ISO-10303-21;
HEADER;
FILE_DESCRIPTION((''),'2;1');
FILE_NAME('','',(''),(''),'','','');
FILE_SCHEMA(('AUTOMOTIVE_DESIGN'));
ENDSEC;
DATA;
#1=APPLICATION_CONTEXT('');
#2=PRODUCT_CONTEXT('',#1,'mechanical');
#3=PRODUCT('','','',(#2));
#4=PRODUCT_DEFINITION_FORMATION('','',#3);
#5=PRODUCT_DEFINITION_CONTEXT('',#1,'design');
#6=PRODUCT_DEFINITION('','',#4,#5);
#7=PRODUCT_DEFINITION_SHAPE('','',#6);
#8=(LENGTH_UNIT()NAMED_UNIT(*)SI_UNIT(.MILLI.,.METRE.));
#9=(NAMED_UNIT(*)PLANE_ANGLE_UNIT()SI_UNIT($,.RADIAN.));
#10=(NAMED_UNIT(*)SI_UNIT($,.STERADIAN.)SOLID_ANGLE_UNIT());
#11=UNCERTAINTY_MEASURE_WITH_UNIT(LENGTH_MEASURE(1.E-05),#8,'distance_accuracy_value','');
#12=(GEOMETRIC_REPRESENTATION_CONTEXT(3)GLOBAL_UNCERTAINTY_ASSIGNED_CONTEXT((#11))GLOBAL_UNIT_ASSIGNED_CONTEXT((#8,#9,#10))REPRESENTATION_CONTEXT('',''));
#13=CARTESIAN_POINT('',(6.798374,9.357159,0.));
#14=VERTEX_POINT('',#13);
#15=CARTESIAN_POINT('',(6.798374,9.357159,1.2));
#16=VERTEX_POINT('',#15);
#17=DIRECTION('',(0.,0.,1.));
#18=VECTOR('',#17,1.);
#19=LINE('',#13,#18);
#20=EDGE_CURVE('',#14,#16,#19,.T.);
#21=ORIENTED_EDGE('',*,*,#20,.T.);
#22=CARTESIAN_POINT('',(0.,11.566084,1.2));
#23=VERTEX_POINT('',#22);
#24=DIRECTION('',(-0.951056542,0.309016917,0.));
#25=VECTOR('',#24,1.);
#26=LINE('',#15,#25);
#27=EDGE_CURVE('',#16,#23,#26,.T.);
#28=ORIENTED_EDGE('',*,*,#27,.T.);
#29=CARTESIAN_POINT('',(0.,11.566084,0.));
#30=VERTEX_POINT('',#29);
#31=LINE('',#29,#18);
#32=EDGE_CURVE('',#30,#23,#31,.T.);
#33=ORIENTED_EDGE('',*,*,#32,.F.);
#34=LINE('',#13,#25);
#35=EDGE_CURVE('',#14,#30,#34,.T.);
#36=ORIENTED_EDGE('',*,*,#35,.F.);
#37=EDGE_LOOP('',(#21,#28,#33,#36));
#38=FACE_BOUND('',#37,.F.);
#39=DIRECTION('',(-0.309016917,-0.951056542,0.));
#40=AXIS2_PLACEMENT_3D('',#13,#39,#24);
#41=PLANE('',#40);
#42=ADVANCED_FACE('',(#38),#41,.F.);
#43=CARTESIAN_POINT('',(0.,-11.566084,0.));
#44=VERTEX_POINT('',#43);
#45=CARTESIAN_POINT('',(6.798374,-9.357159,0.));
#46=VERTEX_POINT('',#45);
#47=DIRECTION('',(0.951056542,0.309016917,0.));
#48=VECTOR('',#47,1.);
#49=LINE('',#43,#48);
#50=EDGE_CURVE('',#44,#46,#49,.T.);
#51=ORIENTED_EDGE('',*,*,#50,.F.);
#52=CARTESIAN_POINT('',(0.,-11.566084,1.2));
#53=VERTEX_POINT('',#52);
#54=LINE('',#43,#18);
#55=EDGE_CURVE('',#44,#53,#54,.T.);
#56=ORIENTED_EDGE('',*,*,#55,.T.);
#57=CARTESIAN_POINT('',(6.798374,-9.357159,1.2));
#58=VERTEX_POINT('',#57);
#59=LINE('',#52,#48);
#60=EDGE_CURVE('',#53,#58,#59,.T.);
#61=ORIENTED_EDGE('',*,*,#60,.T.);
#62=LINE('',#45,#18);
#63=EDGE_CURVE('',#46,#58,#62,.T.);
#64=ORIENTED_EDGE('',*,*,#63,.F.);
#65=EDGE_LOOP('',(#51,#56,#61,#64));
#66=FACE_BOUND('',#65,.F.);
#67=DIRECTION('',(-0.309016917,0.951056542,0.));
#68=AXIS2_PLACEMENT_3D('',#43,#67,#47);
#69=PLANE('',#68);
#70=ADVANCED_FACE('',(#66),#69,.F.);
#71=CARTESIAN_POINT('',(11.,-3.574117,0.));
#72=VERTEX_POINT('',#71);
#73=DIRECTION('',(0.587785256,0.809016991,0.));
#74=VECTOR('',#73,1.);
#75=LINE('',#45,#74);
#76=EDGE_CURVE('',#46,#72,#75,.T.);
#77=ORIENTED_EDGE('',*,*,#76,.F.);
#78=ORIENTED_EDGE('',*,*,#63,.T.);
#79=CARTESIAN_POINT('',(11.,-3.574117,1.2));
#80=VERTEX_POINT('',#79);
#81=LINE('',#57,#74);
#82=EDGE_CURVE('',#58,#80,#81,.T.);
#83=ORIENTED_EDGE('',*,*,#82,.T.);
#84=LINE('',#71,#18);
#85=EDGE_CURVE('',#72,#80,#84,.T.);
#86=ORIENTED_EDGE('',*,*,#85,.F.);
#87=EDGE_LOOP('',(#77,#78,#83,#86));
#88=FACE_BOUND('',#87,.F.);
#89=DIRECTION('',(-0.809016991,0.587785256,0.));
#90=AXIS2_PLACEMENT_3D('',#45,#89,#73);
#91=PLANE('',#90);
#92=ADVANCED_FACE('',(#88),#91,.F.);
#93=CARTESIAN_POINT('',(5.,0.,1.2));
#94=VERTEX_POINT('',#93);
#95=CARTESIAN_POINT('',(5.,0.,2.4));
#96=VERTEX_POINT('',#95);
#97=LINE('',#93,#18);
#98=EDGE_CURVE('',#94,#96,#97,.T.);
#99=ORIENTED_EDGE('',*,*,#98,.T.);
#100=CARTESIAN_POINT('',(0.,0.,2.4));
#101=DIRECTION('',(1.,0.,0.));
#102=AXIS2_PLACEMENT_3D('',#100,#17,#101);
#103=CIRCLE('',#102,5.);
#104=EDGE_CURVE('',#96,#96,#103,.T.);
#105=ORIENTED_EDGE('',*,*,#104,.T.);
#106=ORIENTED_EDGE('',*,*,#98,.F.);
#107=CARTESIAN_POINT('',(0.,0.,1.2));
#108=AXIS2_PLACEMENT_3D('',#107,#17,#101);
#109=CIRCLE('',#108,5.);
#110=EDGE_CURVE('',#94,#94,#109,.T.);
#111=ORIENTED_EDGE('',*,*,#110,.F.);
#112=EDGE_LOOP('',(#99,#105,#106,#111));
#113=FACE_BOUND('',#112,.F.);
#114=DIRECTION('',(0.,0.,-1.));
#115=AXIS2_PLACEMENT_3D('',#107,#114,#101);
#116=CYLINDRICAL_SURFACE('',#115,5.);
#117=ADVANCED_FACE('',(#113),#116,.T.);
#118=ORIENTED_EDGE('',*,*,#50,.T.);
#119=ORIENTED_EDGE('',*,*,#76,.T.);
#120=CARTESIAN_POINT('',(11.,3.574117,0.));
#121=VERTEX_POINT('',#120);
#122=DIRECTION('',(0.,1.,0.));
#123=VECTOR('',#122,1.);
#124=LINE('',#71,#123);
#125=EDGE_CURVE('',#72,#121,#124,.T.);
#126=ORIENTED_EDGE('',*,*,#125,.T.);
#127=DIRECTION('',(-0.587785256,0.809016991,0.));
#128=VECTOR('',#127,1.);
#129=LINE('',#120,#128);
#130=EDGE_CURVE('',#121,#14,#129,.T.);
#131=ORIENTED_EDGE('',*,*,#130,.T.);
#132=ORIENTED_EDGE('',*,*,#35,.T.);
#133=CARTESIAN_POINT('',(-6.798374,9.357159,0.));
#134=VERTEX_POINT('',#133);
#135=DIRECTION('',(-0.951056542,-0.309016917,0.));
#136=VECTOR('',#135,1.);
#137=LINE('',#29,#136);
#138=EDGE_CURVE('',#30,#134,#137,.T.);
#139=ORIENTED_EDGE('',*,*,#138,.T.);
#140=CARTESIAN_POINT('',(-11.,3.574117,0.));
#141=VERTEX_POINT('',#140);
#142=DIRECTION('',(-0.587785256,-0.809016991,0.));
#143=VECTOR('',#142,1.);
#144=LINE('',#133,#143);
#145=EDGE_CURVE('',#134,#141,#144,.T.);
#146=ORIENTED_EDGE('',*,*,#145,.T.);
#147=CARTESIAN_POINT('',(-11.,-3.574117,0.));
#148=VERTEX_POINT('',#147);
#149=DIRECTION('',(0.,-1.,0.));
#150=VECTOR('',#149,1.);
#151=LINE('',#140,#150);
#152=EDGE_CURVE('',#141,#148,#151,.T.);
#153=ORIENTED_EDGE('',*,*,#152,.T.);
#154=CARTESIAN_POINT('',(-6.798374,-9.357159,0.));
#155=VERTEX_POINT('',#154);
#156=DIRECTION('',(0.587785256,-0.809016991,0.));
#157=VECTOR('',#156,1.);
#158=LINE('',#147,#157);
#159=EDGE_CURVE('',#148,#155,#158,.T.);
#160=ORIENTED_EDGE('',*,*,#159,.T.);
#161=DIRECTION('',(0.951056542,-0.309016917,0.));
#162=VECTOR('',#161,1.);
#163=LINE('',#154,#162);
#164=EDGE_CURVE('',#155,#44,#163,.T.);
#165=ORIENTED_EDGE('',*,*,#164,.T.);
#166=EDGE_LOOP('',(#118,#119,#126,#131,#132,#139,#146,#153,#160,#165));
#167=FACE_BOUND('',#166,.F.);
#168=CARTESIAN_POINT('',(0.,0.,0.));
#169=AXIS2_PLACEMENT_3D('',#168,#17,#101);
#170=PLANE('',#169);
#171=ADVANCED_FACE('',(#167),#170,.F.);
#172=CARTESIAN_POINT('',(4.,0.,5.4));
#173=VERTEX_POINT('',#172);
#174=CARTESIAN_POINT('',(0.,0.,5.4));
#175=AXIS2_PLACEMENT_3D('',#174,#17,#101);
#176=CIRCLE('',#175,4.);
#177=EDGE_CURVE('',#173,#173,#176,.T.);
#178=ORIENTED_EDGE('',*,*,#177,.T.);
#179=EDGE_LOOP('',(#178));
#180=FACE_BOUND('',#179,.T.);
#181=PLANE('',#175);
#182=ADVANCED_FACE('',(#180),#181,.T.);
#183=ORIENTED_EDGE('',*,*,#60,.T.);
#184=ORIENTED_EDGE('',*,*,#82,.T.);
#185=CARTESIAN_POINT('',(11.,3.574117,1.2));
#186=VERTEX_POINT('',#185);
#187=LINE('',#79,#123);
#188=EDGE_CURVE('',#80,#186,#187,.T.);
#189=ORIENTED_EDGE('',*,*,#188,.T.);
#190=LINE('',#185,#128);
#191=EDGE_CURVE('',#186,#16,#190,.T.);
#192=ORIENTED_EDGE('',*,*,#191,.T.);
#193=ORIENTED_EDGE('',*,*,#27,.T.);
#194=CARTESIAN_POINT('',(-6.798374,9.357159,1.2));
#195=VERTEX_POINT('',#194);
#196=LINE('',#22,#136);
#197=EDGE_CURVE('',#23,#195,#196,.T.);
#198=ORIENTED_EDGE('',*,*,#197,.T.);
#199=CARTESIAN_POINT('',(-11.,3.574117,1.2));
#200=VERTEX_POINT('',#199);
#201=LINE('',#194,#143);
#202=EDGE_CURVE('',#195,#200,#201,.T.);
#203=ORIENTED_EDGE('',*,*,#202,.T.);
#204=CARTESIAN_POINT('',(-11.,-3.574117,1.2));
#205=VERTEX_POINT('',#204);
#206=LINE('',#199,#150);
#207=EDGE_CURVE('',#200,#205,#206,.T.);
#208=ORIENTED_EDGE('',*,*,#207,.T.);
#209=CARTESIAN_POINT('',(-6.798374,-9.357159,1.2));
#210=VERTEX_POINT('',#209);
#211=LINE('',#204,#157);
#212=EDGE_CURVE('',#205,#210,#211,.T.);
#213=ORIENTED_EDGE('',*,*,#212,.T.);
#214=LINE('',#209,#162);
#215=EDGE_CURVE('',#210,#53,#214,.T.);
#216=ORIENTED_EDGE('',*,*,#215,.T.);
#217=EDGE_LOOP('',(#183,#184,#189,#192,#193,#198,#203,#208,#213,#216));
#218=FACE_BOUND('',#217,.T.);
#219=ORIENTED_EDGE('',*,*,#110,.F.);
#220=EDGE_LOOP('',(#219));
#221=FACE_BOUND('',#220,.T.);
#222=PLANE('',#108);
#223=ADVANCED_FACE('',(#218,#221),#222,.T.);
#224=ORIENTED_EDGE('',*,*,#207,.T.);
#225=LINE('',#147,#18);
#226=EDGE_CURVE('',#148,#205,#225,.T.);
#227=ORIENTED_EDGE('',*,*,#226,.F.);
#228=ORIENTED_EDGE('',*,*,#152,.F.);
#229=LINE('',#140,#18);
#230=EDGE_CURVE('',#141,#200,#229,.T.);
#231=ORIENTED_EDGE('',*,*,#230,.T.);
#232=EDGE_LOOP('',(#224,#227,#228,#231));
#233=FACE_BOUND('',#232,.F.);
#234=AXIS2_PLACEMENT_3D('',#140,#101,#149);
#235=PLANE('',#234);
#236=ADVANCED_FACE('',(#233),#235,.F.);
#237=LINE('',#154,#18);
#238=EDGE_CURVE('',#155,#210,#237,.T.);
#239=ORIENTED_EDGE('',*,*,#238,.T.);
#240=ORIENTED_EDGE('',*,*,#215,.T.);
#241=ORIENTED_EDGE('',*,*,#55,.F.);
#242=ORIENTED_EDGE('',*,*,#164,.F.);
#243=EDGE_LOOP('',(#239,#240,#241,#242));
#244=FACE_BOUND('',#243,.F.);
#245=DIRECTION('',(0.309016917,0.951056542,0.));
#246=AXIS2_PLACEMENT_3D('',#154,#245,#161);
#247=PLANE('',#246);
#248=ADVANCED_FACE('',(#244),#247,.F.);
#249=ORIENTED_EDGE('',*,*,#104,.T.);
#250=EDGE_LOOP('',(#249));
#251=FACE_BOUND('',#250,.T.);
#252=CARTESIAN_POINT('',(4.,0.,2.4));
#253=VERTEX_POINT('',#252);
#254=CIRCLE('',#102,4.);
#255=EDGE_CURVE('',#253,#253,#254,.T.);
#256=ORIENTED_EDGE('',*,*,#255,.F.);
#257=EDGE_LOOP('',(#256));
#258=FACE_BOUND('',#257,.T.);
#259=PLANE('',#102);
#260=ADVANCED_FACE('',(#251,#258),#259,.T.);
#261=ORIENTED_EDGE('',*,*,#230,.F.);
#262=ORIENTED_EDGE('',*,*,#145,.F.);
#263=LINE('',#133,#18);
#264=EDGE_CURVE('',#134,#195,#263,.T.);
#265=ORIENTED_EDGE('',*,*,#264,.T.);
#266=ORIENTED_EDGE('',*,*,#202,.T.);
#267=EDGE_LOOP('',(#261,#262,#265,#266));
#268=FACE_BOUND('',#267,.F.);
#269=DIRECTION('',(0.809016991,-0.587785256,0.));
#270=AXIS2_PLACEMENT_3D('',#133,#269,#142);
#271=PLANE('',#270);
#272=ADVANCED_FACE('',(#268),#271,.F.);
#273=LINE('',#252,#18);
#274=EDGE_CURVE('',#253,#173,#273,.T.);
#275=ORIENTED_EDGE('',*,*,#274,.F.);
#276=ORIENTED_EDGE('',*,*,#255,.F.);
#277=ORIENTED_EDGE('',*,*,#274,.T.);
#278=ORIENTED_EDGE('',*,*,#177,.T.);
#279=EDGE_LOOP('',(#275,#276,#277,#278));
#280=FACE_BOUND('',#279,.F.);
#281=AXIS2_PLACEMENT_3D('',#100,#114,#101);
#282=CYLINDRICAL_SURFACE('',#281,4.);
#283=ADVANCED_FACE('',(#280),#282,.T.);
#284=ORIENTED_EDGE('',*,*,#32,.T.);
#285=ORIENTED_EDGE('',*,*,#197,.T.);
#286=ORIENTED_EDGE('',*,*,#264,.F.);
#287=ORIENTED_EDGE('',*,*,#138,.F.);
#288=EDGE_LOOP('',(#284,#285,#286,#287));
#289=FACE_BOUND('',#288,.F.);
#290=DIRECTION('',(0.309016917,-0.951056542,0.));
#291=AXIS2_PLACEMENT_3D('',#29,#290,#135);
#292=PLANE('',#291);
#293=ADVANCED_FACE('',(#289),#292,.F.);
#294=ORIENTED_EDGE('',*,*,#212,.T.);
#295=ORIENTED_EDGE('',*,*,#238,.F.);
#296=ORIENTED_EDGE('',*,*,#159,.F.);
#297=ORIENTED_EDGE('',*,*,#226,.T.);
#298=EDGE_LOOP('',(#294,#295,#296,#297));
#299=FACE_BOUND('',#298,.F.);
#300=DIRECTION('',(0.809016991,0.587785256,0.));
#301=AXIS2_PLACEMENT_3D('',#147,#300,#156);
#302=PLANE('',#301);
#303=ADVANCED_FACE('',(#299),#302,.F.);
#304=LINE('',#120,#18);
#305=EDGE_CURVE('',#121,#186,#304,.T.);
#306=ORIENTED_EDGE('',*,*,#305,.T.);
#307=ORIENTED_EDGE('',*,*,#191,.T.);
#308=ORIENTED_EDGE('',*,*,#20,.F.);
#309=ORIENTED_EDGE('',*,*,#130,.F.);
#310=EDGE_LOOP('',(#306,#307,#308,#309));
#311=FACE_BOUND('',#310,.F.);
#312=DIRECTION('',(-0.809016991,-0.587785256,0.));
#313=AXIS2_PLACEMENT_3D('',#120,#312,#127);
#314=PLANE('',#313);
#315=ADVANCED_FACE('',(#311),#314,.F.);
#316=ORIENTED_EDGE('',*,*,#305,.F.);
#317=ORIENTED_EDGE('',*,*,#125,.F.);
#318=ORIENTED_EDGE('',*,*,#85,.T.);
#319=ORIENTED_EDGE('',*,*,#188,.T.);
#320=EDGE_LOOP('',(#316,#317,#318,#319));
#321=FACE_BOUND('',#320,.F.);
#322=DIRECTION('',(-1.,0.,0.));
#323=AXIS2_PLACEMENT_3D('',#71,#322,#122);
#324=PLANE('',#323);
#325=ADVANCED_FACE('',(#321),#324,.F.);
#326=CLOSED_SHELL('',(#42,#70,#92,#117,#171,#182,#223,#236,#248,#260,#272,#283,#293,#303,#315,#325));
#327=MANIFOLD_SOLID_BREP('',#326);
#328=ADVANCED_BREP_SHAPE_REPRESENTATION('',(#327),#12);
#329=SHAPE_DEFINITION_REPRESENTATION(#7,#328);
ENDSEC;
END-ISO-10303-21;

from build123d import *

# Parameters (mm, degrees)
F1_DEPTH = 1.2
F2_R     = 5
F3_DEPTH = 1.2
F4_R     = 4
F5_DEPTH = 3


with BuildPart() as f1:
    # F0 (on Top) → F1 (new body)
    with BuildSketch(Plane.XY):
        Polygon((-11, 3.574117), (-11, -3.574117), (-6.798374, -9.357159), (0, -11.566084), (6.798374, -9.357159), (11, -3.574117), (11, 3.574117), (6.798374, 9.357159), (0, 11.566084), (-6.798374, 9.357159), align=None)
    extrude(amount=F1_DEPTH)

    # F2 (on face) → F3 (join)
    with BuildSketch(Plane.XY.offset(1.2)):
        Circle(F2_R)
    extrude(amount=F3_DEPTH)

    # F4 (on face) → F5 (join)
    with BuildSketch(Plane.XY.offset(2.4)):
        Circle(F4_R)
    extrude(amount=F5_DEPTH)


solid = f1.part
